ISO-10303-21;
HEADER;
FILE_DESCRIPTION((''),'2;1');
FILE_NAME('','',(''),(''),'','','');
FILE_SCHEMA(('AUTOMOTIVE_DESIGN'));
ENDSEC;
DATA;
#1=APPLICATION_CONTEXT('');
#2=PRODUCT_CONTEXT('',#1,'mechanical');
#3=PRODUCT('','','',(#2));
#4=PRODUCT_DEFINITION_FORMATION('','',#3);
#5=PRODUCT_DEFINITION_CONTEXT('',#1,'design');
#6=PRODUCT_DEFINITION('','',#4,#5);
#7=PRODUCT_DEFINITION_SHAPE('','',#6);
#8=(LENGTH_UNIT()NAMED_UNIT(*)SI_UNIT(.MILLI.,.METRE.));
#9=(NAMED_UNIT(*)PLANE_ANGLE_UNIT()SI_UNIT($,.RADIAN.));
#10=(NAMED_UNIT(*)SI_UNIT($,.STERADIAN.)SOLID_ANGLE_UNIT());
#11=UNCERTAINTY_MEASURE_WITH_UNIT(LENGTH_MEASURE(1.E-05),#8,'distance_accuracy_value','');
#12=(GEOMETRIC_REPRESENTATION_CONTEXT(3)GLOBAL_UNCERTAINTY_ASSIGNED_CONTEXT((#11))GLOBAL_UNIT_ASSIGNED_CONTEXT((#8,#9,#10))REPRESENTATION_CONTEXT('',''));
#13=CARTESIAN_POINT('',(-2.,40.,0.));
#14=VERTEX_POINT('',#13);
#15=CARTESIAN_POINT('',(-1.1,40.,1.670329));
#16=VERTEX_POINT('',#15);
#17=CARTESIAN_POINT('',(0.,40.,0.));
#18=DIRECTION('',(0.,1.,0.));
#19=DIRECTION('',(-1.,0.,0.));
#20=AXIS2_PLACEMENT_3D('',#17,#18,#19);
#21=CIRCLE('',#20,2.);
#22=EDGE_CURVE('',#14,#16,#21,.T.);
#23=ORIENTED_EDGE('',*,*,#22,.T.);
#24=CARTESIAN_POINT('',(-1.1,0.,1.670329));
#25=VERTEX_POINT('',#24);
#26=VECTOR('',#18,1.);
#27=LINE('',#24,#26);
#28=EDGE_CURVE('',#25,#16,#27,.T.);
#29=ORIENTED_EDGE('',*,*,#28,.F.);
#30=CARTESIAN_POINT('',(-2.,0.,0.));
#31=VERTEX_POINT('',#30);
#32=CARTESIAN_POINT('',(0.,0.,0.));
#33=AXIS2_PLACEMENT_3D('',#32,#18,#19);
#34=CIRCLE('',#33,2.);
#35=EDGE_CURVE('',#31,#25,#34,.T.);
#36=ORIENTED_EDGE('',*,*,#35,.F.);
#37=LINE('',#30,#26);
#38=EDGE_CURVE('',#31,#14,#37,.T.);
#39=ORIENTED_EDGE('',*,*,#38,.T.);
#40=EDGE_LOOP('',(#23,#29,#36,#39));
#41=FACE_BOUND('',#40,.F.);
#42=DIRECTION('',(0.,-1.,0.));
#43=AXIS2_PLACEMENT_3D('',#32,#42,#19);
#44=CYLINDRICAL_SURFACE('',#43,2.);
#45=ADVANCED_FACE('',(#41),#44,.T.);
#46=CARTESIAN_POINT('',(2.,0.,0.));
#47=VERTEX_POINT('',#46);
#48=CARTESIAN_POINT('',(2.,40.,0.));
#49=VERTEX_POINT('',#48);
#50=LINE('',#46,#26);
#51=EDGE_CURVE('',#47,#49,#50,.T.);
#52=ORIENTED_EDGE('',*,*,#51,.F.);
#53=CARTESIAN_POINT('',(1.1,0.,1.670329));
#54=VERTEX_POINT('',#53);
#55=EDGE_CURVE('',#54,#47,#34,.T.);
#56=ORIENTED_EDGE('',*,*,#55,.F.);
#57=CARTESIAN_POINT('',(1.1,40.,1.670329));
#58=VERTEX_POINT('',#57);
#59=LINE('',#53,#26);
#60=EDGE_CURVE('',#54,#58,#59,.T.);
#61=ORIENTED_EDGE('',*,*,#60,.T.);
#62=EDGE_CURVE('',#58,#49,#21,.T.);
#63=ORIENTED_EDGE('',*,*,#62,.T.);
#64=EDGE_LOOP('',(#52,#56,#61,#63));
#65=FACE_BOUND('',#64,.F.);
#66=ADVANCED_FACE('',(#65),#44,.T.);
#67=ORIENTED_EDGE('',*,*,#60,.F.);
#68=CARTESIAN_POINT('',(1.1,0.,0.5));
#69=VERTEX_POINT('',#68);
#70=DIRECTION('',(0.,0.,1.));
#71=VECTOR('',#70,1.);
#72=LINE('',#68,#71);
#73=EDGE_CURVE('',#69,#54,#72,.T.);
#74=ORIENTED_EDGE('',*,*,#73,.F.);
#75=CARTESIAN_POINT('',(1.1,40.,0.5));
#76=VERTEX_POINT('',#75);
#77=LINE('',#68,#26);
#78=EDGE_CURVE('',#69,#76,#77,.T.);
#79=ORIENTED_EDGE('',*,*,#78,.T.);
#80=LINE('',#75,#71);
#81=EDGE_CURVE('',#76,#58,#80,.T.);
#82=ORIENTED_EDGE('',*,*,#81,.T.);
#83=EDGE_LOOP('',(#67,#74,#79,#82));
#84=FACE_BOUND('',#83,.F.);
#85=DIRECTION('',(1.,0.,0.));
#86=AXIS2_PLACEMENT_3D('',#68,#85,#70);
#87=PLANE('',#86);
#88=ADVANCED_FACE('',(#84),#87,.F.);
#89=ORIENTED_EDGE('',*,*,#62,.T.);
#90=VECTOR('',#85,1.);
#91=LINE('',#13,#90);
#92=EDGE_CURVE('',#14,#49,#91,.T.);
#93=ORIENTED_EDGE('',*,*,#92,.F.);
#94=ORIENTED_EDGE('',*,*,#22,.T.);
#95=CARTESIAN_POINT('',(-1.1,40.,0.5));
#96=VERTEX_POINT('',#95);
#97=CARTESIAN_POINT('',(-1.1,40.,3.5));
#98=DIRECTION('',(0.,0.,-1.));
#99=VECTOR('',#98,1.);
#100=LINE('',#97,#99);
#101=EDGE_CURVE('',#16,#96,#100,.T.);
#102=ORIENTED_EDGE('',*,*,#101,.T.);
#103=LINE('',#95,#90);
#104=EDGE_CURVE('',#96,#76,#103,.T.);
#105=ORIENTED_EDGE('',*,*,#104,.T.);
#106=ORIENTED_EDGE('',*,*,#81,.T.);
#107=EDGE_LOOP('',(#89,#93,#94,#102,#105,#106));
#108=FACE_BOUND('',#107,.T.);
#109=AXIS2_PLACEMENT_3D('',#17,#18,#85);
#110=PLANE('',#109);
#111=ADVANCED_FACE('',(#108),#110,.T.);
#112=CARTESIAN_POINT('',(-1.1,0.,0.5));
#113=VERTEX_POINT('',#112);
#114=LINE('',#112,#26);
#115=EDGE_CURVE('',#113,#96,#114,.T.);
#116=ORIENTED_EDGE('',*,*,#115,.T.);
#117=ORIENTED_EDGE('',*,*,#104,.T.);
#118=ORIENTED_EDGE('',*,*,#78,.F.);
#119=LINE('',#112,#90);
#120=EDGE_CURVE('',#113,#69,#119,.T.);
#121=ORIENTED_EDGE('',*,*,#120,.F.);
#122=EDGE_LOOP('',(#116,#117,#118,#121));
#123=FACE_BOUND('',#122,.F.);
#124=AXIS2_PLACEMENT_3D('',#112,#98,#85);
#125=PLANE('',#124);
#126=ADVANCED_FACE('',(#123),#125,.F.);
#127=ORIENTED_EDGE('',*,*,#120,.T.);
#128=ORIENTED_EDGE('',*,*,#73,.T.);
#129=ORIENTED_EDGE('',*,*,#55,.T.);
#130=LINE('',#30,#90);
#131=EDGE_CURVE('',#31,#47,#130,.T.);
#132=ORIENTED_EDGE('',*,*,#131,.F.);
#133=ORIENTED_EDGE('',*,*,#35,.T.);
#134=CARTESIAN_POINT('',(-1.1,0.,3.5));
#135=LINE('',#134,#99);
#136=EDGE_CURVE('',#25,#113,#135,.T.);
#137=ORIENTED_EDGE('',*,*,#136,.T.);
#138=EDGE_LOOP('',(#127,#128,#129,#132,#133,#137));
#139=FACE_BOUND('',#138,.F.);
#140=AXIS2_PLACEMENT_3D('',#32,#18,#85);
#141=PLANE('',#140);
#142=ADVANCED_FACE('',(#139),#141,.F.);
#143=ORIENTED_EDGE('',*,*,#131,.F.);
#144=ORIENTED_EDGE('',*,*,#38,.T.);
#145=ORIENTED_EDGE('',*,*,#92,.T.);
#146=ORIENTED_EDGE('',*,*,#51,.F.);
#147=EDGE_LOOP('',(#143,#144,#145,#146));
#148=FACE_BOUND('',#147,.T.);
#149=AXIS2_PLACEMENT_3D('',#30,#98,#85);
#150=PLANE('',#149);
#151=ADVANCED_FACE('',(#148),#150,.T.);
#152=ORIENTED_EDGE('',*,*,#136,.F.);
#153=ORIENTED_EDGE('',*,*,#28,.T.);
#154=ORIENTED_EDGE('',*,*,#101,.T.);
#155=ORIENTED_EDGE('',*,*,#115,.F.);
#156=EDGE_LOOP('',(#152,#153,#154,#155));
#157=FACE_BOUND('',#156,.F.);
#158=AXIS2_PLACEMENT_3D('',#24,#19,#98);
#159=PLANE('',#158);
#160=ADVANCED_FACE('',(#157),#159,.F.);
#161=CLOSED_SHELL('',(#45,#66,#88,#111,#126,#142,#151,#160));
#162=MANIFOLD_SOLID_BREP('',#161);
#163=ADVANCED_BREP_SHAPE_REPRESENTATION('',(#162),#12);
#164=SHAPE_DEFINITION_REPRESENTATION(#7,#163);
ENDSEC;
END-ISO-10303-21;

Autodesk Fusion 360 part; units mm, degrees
sketch "Sketch1" plane through (0, 0, 0) normal (0, 1, 0) x (1, 0, 0)
  arc A0 (-2, 0) -> (2, 0) centre (0, 0) ccw
  line L0 (-2, 0) -> (2, 0)
  dimension "d1" = 4
extrude "Extrude1" add sketch "Sketch1" along normal blind 40
sketch "Sketch2" plane through (0, 0, 0) normal (0, -1, 0) x (1, 0, 0)
  arc A0 (2, 0) -> (-2, 0) centre (0, 0) ccw
  line L0 (-2, 0) -> (2, 0)
  line L1 (-1.1, 0.5) -> (1.1, 0.5)
  line L2 (1.1, 0.5) -> (1.1, 3.5)
  line L3 (1.1, 3.5) -> (-1.1, 3.5)
  line L4 (-1.1, 3.5) -> (-1.1, 0.5)
  line L5 (-1.1, 0.5) -> (1.1, 3.5) construction
  line L6 (1.1, 0.5) -> (-1.1, 3.5) construction
  point P0 (0, 2)
  dimension "d4" = 2.2
  dimension "d5" = 3
extrude "Extrude2" cut sketch "Sketch2" against normal blind 40 contours A0 L1 L2 L4
